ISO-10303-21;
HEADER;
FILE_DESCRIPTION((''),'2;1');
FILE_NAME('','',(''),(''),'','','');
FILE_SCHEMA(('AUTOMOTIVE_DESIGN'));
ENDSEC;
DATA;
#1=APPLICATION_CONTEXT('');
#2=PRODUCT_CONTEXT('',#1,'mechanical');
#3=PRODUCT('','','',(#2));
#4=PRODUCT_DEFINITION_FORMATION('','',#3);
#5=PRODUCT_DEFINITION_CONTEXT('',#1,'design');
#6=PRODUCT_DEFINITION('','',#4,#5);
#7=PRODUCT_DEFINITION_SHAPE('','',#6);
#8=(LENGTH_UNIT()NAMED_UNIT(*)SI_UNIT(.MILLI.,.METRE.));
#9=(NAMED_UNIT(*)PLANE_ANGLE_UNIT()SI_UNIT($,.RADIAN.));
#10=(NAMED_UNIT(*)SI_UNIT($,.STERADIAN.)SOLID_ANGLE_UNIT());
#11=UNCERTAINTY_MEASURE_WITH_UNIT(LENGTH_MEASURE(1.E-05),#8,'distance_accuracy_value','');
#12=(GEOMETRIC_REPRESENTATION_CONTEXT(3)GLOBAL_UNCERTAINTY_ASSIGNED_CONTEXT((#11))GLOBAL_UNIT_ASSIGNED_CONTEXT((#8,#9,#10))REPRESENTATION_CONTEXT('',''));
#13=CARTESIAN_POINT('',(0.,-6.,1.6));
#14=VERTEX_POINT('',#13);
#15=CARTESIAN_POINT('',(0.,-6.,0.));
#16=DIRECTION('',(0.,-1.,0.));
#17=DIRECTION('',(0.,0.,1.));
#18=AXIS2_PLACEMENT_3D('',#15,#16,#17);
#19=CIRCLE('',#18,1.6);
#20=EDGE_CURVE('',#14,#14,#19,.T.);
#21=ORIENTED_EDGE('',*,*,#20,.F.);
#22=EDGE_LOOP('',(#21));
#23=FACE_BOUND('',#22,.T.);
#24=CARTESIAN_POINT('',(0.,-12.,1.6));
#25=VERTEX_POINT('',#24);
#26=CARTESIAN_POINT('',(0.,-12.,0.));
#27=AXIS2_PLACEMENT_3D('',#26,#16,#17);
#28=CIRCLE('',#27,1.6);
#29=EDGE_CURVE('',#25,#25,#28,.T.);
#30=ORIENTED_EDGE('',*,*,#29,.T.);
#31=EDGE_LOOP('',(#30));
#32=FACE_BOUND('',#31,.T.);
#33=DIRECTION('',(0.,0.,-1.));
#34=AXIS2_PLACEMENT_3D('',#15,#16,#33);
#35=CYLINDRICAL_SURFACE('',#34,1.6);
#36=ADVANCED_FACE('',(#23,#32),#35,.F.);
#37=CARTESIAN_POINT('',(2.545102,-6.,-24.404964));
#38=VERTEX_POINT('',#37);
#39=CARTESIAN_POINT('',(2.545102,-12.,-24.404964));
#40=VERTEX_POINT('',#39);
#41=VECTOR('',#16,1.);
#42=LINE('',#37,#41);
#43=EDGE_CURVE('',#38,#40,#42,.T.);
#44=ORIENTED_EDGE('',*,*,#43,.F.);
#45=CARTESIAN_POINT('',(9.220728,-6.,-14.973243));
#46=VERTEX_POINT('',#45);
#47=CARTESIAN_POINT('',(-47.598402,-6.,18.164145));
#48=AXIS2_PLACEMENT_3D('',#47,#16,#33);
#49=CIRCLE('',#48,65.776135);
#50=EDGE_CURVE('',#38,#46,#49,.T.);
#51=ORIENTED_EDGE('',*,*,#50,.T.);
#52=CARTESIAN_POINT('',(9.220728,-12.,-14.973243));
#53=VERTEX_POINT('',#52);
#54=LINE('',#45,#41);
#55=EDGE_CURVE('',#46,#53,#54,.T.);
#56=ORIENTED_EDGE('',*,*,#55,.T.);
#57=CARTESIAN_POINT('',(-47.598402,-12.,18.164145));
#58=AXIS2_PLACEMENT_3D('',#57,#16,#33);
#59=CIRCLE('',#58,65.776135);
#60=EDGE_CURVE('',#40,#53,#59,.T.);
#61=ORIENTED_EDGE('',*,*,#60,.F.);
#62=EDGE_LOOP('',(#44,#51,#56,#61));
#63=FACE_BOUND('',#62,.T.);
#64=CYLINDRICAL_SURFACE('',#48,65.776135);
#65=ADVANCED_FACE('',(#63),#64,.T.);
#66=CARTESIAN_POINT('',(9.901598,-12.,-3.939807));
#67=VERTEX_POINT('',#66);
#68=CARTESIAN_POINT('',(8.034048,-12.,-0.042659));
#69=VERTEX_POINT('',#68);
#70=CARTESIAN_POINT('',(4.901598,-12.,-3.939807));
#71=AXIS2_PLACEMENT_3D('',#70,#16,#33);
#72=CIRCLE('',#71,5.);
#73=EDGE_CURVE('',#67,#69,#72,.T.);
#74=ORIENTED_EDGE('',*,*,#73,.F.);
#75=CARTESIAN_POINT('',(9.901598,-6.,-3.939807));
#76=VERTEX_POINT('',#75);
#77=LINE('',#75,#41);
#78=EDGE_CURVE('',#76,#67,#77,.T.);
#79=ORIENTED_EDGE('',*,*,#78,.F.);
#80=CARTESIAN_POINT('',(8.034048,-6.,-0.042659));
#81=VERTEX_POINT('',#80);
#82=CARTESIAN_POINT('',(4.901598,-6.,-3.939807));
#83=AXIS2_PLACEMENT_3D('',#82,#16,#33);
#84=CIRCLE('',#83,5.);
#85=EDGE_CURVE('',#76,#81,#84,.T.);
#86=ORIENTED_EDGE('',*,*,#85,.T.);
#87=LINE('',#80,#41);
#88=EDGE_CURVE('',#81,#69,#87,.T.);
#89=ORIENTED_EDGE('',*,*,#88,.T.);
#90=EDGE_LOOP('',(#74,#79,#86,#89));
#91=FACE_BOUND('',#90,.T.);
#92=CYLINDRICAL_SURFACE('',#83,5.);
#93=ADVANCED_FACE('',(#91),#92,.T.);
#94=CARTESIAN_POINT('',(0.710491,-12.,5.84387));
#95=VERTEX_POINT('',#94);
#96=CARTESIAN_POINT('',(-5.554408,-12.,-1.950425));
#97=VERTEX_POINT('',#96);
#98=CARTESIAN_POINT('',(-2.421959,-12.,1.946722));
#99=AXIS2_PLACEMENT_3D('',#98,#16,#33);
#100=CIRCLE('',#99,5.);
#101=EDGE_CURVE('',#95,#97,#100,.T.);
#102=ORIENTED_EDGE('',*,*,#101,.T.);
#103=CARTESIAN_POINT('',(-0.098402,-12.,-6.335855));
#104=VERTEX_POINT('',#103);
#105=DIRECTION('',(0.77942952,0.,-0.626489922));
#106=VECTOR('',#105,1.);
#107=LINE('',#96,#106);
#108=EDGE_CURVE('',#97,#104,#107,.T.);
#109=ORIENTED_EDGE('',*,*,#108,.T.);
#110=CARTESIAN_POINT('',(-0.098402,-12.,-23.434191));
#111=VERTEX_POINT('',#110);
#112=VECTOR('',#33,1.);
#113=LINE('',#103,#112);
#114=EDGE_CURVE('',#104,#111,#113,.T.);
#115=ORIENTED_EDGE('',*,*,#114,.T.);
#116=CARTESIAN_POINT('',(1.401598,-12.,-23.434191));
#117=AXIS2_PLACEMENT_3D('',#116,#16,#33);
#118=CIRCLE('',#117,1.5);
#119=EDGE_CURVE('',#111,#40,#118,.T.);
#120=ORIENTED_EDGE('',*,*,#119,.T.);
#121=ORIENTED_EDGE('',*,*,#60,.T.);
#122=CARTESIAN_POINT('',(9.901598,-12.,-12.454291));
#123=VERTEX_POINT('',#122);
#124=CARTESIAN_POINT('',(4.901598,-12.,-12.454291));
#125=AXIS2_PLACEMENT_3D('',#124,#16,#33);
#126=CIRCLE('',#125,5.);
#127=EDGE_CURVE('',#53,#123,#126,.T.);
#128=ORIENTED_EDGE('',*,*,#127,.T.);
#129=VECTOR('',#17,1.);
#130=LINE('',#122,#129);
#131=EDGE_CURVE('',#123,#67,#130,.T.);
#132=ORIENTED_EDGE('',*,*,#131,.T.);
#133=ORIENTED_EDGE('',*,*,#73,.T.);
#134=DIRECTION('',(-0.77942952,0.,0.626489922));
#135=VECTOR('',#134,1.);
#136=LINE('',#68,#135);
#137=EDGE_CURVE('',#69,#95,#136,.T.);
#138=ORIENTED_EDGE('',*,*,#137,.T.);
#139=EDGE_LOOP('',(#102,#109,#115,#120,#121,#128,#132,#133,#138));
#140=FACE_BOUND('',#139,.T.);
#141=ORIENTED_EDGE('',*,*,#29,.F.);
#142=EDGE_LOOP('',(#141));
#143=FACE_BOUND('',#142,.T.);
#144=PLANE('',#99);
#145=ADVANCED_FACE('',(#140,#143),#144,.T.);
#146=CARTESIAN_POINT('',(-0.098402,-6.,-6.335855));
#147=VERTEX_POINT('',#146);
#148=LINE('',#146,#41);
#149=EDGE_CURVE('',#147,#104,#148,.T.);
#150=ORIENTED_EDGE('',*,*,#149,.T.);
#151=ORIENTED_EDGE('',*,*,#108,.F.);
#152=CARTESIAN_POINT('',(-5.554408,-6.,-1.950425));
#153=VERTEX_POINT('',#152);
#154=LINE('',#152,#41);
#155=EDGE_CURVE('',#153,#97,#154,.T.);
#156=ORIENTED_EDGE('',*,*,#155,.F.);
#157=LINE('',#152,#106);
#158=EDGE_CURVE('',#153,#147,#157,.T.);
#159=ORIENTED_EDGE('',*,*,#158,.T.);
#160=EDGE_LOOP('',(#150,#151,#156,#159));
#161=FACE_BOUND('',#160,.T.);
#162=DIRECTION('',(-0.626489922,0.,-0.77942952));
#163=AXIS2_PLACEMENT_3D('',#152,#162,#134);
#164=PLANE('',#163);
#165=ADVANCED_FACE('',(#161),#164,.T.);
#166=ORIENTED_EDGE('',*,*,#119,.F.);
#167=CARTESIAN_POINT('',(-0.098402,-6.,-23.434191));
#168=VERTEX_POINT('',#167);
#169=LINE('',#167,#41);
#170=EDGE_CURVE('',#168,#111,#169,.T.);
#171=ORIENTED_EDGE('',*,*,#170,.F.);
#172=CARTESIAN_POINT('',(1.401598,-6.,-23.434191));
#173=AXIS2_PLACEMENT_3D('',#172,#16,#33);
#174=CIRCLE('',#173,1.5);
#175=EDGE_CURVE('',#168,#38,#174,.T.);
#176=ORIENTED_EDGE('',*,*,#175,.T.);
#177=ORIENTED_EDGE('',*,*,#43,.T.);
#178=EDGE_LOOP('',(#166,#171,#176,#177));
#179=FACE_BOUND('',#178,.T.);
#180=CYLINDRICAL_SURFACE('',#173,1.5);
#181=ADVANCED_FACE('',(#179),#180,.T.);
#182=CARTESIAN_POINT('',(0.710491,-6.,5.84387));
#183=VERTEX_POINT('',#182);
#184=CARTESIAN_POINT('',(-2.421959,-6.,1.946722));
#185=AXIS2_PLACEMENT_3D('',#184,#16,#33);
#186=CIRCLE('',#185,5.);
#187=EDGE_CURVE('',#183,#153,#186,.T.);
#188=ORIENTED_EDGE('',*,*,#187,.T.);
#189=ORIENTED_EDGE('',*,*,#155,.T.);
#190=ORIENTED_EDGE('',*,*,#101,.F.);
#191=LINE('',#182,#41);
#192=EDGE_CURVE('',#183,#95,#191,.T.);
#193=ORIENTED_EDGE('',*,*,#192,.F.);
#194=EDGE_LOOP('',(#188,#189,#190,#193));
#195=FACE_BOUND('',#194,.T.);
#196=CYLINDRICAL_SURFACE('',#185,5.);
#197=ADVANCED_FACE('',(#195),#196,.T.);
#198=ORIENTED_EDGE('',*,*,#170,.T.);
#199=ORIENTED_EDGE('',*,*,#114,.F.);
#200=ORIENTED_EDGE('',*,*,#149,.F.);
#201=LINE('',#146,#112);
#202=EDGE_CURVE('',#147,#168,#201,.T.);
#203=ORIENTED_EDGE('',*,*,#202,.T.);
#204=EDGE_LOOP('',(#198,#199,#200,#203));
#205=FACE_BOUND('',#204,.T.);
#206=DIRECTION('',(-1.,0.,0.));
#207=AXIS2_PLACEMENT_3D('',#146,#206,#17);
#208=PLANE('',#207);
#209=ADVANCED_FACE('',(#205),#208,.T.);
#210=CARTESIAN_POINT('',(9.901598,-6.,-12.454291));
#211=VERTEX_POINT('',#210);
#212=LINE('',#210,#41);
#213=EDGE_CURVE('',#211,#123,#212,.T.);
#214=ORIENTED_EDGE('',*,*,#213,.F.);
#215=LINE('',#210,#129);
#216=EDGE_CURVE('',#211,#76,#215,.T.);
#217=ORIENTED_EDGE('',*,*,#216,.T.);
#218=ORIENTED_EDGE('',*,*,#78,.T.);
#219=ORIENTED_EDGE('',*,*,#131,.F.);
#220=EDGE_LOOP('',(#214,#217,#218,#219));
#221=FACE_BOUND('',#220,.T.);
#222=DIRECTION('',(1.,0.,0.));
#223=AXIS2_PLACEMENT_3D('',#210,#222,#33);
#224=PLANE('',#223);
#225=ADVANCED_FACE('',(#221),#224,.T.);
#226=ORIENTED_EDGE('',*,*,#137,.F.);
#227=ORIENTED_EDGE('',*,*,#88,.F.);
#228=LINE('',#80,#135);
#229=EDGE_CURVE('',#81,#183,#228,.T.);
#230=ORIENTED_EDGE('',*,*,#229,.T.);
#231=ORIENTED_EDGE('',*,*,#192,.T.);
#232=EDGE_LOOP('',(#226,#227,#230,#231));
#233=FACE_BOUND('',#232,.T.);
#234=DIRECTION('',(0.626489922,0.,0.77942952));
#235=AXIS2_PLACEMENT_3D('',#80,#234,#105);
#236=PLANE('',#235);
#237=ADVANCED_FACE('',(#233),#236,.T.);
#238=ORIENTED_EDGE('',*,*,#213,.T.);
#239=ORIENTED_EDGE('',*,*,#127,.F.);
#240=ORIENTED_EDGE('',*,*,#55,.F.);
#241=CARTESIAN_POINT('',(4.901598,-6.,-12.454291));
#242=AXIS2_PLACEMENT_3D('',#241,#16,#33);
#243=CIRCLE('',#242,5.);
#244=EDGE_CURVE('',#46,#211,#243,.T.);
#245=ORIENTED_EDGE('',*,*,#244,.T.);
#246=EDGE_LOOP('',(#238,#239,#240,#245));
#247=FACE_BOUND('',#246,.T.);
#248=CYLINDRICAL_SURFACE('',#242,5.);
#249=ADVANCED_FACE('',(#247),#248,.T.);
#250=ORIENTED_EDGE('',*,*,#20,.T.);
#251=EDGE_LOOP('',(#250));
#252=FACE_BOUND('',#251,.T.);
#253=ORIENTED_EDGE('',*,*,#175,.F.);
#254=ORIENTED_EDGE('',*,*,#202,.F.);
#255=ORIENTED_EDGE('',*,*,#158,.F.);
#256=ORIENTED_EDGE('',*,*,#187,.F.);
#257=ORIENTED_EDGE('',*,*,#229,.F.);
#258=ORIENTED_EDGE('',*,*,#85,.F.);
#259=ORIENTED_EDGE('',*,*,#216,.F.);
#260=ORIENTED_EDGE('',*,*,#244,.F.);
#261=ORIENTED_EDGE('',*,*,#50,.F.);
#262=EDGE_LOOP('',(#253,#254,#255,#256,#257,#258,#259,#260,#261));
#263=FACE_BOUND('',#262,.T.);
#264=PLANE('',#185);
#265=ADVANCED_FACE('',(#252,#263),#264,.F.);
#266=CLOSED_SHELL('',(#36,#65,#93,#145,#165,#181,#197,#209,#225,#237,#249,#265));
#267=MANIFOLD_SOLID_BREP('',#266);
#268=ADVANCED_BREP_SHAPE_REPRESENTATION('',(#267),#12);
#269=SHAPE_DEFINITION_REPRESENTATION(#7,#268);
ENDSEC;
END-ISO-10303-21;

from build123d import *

# Parameters (mm, degrees)
ESBO_O1_R                = 1.6
RESSALTO_EXTRUS_O1_DEPTH = 6


with BuildPart() as part:
    # Esboço1 → Ressalto-extrusão1 (new body)
    with BuildSketch(Plane.XZ.offset(12)):
        with BuildLine():
            Line((-5.554408486, -1.950425304), (-0.098401843, -6.33585476))
            Line((-0.098401843, -6.33585476), (-0.098401843, -23.434191187))
            ThreePointArc((-0.098401843, -23.434191187), (0.884517689, -24.84224935), (2.545101876, -24.404963685))
            ThreePointArc((2.545101876, -24.404963685), (6.090429059, -19.835978921), (9.220727662, -14.973243345))
            ThreePointArc((9.220727662, -14.973243345), (9.728380083, -13.758965882), (9.901598157, -12.454291119))
            Line((9.901598157, -12.454291119), (9.901598157, -3.939806958))
            ThreePointArc((9.901598157, -3.939806958), (9.410602928, -1.779048764), (8.034047768, -0.042659356))
            Line((8.034047768, -0.042659356), (0.710490736, 5.843869901))
            ThreePointArc((0.710490736, 5.843869901), (-6.319106477, 5.07917191), (-5.554408486, -1.950425304))
        make_face()
        with Locations(Location((0, 0, 0), (0, 0, 90))):
            Circle(ESBO_O1_R, mode=Mode.SUBTRACT)
    extrude(amount=-RESSALTO_EXTRUS_O1_DEPTH)


solid = part.part
